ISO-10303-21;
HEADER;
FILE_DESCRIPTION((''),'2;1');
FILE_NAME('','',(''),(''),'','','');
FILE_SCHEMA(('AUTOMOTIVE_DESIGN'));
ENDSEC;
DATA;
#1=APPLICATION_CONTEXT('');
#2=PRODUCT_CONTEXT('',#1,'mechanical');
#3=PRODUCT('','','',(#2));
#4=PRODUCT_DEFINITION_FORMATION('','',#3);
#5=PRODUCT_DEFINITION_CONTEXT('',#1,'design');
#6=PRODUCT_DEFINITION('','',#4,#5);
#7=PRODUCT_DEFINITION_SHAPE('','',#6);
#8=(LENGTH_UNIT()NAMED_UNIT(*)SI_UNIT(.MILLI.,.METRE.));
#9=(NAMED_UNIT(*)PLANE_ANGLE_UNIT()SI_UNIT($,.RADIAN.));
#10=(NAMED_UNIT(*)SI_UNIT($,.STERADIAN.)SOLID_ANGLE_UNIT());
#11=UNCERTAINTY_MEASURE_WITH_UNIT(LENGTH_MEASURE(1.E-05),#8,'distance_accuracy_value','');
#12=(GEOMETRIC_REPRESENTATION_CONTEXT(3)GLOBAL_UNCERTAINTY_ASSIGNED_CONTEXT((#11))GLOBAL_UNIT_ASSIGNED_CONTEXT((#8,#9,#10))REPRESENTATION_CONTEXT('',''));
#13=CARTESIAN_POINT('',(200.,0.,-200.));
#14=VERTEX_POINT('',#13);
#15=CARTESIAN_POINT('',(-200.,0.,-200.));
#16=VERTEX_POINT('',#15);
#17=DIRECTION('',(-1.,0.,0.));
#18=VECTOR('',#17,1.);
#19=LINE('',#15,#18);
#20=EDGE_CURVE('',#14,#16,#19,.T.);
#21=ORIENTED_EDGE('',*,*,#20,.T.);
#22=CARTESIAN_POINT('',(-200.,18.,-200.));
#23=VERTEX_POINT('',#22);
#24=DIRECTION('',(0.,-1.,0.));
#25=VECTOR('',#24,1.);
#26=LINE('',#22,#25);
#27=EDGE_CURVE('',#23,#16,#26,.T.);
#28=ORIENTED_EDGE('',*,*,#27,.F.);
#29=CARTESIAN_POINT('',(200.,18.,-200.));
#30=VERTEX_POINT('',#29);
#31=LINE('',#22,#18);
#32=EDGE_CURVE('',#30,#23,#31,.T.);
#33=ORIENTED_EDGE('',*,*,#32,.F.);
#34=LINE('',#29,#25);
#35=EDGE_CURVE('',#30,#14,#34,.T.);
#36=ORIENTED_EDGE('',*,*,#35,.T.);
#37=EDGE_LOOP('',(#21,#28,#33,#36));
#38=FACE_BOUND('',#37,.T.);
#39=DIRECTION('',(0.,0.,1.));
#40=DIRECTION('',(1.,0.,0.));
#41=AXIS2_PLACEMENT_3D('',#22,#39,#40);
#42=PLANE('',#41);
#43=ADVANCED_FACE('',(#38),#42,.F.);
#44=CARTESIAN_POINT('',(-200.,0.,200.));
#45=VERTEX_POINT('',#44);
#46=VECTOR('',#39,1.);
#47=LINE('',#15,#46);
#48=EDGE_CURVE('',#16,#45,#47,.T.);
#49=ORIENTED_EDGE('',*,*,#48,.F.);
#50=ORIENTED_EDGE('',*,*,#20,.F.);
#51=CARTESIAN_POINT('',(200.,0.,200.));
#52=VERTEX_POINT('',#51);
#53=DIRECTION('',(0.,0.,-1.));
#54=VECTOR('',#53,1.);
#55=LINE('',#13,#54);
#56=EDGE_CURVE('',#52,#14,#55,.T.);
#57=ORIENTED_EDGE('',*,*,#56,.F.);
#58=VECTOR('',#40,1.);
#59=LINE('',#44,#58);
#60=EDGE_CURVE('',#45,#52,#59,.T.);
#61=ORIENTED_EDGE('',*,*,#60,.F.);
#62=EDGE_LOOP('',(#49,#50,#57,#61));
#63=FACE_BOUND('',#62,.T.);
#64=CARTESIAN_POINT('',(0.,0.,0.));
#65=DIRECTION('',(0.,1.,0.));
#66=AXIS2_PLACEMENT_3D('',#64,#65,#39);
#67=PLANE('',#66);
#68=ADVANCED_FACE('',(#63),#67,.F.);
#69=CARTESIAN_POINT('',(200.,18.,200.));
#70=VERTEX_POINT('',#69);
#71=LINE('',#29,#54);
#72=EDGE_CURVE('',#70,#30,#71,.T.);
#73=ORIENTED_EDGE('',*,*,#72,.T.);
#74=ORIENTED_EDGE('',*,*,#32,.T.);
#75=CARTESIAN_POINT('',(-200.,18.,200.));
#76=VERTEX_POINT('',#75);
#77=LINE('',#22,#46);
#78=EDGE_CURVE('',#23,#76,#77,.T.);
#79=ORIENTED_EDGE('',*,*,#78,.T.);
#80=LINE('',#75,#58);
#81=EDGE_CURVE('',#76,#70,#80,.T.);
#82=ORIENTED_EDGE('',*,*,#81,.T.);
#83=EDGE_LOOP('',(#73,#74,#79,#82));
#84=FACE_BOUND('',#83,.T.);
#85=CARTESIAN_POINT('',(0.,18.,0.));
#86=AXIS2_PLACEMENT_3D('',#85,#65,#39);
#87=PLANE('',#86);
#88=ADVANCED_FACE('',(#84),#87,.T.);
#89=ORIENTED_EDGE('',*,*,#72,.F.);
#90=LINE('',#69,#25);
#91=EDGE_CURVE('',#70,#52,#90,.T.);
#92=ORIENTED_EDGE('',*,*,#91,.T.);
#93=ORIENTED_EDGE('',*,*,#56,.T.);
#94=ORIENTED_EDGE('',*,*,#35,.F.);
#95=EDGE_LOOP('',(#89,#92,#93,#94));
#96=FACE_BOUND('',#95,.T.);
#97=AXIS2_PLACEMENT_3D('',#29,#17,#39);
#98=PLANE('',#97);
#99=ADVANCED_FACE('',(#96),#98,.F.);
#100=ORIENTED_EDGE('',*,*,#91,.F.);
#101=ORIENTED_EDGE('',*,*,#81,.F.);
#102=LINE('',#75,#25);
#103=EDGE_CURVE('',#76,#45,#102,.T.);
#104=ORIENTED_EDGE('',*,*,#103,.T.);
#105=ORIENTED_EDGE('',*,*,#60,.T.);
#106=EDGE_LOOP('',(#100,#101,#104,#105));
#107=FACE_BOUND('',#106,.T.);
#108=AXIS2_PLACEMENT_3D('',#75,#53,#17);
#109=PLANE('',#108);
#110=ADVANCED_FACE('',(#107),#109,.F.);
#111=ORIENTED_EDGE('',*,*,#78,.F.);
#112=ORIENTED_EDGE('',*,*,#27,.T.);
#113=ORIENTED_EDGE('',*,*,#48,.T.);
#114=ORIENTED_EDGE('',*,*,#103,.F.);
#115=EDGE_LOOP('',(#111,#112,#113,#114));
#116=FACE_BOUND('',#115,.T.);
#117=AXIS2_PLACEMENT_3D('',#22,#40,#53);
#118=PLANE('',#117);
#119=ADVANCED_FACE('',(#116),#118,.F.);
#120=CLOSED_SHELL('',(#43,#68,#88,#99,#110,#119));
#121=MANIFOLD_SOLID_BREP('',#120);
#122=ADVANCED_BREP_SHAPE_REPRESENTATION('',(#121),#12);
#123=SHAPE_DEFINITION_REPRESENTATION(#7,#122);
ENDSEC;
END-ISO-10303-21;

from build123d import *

# Parameters (mm, degrees)
ESQUISSE1_W        = 400
ESQUISSE1_H        = 400
BOSS_EXTRU_1_DEPTH = 18


with BuildPart() as part:
    # Esquisse1 → Boss.-Extru.1 (new body)
    with BuildSketch(Plane(origin=(0, 0, 0), x_dir=(1, 0, 0), z_dir=(0, 1, 0))):
        Rectangle(ESQUISSE1_W, ESQUISSE1_H)
    extrude(amount=BOSS_EXTRU_1_DEPTH)


solid = part.part
